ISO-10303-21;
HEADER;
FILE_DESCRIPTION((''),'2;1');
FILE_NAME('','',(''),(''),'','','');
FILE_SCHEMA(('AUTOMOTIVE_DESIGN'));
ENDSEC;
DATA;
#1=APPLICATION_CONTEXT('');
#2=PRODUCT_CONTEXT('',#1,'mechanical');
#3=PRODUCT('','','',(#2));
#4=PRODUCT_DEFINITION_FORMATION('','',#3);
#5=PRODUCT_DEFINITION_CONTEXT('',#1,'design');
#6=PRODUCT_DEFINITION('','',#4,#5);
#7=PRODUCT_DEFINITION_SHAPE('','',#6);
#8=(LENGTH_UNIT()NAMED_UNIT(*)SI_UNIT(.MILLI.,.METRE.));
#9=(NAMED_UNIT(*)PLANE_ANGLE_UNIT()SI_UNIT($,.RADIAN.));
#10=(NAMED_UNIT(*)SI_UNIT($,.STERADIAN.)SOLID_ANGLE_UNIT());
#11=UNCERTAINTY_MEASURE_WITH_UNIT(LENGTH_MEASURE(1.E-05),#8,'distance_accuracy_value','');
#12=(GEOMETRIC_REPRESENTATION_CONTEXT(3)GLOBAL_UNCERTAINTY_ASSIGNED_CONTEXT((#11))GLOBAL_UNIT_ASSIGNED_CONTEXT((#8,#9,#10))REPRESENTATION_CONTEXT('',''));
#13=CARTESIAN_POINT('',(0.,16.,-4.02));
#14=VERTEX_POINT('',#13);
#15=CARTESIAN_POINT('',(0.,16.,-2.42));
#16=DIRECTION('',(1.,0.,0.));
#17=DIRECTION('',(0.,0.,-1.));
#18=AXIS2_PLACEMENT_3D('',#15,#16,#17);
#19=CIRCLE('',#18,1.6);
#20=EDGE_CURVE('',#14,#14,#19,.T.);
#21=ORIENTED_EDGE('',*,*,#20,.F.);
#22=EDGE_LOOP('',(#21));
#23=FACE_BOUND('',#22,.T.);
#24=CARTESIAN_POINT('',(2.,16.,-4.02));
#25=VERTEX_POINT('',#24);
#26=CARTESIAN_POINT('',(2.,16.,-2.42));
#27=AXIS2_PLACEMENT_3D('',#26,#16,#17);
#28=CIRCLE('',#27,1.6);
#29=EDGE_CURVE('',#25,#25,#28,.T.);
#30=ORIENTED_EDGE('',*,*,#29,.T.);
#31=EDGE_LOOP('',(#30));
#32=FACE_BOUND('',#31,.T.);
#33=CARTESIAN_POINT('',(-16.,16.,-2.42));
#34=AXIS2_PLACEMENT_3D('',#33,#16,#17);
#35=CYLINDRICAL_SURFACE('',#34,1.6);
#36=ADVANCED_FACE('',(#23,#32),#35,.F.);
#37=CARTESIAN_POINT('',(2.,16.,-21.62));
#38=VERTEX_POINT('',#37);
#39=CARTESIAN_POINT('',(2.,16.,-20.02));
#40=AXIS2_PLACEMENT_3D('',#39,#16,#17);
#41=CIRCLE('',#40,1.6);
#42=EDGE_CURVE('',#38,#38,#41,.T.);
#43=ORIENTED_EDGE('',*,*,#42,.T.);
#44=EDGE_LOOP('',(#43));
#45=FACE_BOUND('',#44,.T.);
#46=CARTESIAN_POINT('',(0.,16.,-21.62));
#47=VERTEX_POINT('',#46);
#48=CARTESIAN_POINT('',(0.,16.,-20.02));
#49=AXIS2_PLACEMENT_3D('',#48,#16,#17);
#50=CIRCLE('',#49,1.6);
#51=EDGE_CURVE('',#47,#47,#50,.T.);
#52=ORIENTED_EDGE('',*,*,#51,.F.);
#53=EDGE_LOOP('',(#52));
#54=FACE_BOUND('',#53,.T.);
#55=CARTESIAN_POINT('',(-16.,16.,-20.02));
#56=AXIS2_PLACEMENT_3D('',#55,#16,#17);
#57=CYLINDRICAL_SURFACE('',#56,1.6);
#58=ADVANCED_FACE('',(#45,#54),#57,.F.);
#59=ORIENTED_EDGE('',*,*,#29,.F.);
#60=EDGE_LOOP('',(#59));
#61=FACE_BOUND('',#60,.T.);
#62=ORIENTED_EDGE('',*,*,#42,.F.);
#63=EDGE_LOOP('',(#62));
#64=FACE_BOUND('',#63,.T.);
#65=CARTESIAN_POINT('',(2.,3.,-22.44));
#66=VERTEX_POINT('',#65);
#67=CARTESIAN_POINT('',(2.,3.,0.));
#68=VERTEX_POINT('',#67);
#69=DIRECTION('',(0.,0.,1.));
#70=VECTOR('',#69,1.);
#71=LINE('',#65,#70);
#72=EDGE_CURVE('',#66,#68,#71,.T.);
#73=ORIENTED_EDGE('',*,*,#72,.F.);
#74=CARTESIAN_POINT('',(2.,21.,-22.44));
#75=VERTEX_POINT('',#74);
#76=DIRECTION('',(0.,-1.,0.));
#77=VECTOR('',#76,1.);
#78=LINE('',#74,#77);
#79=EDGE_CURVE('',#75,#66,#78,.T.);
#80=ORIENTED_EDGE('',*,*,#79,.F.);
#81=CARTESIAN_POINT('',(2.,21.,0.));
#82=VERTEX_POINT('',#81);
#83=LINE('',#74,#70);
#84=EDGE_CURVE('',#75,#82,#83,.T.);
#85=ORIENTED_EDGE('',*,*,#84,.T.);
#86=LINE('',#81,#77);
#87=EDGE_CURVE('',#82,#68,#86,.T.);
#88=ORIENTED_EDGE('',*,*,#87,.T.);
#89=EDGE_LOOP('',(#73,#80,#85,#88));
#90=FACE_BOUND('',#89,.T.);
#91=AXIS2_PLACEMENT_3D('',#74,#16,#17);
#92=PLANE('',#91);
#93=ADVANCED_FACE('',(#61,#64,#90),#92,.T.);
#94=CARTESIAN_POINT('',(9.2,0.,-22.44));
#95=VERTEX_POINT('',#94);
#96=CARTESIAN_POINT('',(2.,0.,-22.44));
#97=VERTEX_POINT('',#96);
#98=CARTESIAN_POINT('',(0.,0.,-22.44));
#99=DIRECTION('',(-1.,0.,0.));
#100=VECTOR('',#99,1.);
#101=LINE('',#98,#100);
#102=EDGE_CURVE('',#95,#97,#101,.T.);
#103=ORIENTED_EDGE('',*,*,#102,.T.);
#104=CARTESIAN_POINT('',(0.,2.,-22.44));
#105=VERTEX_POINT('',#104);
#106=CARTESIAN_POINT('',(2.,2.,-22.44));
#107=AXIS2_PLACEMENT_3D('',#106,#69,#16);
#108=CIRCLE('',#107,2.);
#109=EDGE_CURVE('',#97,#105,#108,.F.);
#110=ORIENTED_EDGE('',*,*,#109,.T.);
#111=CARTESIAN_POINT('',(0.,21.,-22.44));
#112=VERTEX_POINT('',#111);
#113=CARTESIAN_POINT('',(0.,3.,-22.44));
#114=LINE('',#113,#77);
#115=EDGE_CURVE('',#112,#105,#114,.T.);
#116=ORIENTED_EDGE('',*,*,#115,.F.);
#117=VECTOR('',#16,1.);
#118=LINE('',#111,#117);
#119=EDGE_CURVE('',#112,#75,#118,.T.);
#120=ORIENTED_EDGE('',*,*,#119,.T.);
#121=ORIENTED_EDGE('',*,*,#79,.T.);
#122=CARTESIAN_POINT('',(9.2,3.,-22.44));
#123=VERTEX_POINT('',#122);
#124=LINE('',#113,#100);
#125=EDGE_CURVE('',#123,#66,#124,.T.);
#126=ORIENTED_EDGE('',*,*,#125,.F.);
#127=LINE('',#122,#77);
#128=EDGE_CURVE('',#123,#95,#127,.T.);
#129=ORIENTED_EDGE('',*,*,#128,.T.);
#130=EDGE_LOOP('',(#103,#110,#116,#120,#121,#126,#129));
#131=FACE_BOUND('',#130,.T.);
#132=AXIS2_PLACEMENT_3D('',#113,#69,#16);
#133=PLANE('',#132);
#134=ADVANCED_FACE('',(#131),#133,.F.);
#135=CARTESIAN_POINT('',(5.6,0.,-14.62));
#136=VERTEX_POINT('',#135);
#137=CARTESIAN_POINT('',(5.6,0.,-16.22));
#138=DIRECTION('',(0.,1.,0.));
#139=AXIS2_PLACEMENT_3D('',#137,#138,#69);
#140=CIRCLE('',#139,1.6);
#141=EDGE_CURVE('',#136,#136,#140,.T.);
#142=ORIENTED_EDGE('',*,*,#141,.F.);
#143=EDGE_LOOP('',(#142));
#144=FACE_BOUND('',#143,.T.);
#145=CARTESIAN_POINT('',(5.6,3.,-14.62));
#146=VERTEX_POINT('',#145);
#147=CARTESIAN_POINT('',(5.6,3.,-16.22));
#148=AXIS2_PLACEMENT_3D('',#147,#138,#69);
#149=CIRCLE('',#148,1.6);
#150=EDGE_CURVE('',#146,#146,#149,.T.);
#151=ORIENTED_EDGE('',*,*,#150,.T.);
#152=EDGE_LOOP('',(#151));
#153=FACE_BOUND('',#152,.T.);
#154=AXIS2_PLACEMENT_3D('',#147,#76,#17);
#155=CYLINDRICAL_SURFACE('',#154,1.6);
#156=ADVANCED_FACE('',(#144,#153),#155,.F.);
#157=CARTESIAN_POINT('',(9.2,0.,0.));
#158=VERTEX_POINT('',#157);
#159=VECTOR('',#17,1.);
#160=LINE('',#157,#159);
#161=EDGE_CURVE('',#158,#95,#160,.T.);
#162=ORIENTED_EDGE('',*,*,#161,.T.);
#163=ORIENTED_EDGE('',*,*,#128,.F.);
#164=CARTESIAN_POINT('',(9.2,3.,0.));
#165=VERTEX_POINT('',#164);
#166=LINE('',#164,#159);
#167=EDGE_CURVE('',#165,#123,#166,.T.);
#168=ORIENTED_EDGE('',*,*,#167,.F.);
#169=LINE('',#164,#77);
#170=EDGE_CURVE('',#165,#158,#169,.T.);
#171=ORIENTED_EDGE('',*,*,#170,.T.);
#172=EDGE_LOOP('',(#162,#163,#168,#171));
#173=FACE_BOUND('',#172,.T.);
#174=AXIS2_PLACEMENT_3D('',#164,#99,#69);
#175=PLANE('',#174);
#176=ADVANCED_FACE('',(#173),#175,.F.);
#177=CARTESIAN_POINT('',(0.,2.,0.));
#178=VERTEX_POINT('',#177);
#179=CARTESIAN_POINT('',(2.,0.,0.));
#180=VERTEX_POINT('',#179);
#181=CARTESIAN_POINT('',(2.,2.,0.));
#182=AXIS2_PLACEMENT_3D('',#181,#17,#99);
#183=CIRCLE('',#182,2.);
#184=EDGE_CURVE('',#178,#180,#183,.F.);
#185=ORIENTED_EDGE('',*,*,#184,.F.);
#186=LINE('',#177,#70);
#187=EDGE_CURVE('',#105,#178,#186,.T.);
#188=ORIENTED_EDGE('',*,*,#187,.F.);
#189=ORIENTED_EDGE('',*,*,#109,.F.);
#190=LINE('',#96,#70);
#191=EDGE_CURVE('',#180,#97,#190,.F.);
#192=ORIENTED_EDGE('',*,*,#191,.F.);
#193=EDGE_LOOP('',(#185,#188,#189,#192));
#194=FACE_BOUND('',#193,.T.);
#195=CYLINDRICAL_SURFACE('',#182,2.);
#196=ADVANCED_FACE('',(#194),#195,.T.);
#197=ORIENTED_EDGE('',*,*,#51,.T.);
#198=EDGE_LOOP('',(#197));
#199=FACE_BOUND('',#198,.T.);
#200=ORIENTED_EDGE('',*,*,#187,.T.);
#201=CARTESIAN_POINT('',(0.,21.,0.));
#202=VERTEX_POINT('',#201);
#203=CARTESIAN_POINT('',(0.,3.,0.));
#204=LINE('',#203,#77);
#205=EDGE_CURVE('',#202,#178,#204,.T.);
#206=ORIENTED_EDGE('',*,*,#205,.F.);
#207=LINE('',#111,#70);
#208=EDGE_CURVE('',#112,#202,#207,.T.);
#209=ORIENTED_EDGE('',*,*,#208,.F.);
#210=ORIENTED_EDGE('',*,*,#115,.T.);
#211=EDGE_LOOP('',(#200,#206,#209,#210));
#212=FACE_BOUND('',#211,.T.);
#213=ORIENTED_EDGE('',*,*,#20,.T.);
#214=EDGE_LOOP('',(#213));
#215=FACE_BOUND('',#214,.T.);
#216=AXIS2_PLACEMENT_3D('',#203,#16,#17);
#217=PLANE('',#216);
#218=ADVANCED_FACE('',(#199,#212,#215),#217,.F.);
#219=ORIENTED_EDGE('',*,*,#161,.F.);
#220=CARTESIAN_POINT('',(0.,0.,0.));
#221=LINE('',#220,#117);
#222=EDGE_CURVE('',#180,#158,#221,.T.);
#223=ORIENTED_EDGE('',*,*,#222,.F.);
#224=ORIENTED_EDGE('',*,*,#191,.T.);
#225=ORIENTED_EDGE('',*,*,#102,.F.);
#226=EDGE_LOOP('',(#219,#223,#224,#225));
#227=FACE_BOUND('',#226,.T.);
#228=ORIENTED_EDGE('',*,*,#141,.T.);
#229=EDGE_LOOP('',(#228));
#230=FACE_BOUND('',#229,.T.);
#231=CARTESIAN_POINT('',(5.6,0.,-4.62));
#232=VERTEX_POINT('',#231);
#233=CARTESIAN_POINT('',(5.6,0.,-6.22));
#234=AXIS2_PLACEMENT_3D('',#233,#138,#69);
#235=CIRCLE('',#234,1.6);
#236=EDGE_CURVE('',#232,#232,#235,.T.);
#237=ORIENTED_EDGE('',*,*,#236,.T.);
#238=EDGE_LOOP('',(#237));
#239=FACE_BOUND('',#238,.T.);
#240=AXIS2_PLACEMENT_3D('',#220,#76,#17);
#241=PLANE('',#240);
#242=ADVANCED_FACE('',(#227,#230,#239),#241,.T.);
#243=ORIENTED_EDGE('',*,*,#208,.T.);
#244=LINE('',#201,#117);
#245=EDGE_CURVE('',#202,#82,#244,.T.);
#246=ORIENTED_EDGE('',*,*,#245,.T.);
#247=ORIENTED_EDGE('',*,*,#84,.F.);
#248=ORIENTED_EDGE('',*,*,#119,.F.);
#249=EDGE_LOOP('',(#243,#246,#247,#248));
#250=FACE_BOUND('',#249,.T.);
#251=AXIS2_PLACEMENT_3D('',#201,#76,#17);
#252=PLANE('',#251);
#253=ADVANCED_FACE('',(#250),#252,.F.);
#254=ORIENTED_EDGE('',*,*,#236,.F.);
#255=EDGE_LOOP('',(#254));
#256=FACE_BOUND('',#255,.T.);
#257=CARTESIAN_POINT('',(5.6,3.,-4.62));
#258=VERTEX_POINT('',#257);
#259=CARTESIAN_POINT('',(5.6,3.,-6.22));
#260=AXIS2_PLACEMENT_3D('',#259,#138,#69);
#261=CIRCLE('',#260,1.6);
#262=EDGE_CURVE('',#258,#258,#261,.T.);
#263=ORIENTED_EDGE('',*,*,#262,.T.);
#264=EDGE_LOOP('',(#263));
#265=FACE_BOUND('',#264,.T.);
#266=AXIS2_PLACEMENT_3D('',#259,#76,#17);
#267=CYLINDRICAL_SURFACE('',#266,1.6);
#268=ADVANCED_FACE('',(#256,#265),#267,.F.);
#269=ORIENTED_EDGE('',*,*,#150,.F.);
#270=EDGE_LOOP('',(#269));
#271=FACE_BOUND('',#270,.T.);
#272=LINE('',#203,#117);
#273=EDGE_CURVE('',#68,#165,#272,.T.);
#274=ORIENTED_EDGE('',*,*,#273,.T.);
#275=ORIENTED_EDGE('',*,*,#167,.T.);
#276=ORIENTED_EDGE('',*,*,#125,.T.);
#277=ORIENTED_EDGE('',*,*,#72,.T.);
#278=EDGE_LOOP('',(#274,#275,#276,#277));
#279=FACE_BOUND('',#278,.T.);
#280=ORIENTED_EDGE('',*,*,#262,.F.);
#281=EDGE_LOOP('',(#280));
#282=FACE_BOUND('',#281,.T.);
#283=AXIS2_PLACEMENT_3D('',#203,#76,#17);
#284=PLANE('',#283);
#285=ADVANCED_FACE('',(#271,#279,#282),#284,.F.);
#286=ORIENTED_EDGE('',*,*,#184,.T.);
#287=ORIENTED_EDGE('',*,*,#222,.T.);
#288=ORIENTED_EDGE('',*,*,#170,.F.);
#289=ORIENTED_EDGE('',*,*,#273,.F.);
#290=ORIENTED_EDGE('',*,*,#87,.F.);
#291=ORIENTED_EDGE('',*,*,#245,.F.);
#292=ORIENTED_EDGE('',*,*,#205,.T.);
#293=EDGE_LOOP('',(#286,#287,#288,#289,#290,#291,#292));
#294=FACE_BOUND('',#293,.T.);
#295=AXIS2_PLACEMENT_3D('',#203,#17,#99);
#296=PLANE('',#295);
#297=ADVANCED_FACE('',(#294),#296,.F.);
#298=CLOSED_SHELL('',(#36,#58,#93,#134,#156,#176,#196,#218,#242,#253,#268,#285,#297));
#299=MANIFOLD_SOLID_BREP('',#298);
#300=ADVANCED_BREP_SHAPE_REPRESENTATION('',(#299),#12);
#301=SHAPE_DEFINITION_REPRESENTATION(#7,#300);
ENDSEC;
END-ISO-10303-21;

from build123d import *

# Parameters (mm, degrees)
SKETCH2_W           = 9.2
SKETCH2_H           = 22.44
SKETCH2_R           = 1.6
BOSS_EXTRUDE2_DEPTH = 3
SKETCH4_W           = 2
SKETCH4_H           = 22.44
BOSS_EXTRUDE3_DEPTH = 18
FILLET1_R           = 2
SKETCH5_R           = 1.6
CUT_EXTRUDE1_DEPTH  = 18


with BuildPart() as part:
    # Sketch2 → Boss-Extrude2 (new body)
    with BuildSketch(Plane(origin=(0, 0, 0), x_dir=(1, 0, 0), z_dir=(0, 1, 0))):
        with Locations((4.6, 11.22)):
            Rectangle(SKETCH2_W, SKETCH2_H)
        with Locations((5.6, 16.22)):
            Circle(SKETCH2_R, mode=Mode.SUBTRACT)
        with Locations((5.6, 6.22)):
            Circle(SKETCH2_R, mode=Mode.SUBTRACT)
    extrude(amount=BOSS_EXTRUDE2_DEPTH)

    # Sketch4 → Boss-Extrude3 (add)
    with BuildSketch(Plane(origin=(0, 3, 0), x_dir=(1, 0, 0), z_dir=(0, 1, 0))):
        with Locations((1, 11.22)):
            Rectangle(SKETCH4_W, SKETCH4_H)
    extrude(amount=BOSS_EXTRUDE3_DEPTH)

    # Fillet1
    fillet1_edges = [part.edges().sort_by_distance(p)[0] for p in [
        (0, 0, -11.22),
    ]]
    fillet(fillet1_edges, radius=FILLET1_R)

    # Sketch5 → Cut-Extrude1 (cut)
    with BuildSketch(Plane(origin=(2, 0, 0), x_dir=(0, 0, -1), z_dir=(1, 0, 0))):
        with Locations((2.42, 16)):
            Circle(SKETCH5_R)
        with Locations((20.02, 16)):
            Circle(SKETCH5_R)
    extrude(amount=-CUT_EXTRUDE1_DEPTH, mode=Mode.SUBTRACT)


solid = part.part
